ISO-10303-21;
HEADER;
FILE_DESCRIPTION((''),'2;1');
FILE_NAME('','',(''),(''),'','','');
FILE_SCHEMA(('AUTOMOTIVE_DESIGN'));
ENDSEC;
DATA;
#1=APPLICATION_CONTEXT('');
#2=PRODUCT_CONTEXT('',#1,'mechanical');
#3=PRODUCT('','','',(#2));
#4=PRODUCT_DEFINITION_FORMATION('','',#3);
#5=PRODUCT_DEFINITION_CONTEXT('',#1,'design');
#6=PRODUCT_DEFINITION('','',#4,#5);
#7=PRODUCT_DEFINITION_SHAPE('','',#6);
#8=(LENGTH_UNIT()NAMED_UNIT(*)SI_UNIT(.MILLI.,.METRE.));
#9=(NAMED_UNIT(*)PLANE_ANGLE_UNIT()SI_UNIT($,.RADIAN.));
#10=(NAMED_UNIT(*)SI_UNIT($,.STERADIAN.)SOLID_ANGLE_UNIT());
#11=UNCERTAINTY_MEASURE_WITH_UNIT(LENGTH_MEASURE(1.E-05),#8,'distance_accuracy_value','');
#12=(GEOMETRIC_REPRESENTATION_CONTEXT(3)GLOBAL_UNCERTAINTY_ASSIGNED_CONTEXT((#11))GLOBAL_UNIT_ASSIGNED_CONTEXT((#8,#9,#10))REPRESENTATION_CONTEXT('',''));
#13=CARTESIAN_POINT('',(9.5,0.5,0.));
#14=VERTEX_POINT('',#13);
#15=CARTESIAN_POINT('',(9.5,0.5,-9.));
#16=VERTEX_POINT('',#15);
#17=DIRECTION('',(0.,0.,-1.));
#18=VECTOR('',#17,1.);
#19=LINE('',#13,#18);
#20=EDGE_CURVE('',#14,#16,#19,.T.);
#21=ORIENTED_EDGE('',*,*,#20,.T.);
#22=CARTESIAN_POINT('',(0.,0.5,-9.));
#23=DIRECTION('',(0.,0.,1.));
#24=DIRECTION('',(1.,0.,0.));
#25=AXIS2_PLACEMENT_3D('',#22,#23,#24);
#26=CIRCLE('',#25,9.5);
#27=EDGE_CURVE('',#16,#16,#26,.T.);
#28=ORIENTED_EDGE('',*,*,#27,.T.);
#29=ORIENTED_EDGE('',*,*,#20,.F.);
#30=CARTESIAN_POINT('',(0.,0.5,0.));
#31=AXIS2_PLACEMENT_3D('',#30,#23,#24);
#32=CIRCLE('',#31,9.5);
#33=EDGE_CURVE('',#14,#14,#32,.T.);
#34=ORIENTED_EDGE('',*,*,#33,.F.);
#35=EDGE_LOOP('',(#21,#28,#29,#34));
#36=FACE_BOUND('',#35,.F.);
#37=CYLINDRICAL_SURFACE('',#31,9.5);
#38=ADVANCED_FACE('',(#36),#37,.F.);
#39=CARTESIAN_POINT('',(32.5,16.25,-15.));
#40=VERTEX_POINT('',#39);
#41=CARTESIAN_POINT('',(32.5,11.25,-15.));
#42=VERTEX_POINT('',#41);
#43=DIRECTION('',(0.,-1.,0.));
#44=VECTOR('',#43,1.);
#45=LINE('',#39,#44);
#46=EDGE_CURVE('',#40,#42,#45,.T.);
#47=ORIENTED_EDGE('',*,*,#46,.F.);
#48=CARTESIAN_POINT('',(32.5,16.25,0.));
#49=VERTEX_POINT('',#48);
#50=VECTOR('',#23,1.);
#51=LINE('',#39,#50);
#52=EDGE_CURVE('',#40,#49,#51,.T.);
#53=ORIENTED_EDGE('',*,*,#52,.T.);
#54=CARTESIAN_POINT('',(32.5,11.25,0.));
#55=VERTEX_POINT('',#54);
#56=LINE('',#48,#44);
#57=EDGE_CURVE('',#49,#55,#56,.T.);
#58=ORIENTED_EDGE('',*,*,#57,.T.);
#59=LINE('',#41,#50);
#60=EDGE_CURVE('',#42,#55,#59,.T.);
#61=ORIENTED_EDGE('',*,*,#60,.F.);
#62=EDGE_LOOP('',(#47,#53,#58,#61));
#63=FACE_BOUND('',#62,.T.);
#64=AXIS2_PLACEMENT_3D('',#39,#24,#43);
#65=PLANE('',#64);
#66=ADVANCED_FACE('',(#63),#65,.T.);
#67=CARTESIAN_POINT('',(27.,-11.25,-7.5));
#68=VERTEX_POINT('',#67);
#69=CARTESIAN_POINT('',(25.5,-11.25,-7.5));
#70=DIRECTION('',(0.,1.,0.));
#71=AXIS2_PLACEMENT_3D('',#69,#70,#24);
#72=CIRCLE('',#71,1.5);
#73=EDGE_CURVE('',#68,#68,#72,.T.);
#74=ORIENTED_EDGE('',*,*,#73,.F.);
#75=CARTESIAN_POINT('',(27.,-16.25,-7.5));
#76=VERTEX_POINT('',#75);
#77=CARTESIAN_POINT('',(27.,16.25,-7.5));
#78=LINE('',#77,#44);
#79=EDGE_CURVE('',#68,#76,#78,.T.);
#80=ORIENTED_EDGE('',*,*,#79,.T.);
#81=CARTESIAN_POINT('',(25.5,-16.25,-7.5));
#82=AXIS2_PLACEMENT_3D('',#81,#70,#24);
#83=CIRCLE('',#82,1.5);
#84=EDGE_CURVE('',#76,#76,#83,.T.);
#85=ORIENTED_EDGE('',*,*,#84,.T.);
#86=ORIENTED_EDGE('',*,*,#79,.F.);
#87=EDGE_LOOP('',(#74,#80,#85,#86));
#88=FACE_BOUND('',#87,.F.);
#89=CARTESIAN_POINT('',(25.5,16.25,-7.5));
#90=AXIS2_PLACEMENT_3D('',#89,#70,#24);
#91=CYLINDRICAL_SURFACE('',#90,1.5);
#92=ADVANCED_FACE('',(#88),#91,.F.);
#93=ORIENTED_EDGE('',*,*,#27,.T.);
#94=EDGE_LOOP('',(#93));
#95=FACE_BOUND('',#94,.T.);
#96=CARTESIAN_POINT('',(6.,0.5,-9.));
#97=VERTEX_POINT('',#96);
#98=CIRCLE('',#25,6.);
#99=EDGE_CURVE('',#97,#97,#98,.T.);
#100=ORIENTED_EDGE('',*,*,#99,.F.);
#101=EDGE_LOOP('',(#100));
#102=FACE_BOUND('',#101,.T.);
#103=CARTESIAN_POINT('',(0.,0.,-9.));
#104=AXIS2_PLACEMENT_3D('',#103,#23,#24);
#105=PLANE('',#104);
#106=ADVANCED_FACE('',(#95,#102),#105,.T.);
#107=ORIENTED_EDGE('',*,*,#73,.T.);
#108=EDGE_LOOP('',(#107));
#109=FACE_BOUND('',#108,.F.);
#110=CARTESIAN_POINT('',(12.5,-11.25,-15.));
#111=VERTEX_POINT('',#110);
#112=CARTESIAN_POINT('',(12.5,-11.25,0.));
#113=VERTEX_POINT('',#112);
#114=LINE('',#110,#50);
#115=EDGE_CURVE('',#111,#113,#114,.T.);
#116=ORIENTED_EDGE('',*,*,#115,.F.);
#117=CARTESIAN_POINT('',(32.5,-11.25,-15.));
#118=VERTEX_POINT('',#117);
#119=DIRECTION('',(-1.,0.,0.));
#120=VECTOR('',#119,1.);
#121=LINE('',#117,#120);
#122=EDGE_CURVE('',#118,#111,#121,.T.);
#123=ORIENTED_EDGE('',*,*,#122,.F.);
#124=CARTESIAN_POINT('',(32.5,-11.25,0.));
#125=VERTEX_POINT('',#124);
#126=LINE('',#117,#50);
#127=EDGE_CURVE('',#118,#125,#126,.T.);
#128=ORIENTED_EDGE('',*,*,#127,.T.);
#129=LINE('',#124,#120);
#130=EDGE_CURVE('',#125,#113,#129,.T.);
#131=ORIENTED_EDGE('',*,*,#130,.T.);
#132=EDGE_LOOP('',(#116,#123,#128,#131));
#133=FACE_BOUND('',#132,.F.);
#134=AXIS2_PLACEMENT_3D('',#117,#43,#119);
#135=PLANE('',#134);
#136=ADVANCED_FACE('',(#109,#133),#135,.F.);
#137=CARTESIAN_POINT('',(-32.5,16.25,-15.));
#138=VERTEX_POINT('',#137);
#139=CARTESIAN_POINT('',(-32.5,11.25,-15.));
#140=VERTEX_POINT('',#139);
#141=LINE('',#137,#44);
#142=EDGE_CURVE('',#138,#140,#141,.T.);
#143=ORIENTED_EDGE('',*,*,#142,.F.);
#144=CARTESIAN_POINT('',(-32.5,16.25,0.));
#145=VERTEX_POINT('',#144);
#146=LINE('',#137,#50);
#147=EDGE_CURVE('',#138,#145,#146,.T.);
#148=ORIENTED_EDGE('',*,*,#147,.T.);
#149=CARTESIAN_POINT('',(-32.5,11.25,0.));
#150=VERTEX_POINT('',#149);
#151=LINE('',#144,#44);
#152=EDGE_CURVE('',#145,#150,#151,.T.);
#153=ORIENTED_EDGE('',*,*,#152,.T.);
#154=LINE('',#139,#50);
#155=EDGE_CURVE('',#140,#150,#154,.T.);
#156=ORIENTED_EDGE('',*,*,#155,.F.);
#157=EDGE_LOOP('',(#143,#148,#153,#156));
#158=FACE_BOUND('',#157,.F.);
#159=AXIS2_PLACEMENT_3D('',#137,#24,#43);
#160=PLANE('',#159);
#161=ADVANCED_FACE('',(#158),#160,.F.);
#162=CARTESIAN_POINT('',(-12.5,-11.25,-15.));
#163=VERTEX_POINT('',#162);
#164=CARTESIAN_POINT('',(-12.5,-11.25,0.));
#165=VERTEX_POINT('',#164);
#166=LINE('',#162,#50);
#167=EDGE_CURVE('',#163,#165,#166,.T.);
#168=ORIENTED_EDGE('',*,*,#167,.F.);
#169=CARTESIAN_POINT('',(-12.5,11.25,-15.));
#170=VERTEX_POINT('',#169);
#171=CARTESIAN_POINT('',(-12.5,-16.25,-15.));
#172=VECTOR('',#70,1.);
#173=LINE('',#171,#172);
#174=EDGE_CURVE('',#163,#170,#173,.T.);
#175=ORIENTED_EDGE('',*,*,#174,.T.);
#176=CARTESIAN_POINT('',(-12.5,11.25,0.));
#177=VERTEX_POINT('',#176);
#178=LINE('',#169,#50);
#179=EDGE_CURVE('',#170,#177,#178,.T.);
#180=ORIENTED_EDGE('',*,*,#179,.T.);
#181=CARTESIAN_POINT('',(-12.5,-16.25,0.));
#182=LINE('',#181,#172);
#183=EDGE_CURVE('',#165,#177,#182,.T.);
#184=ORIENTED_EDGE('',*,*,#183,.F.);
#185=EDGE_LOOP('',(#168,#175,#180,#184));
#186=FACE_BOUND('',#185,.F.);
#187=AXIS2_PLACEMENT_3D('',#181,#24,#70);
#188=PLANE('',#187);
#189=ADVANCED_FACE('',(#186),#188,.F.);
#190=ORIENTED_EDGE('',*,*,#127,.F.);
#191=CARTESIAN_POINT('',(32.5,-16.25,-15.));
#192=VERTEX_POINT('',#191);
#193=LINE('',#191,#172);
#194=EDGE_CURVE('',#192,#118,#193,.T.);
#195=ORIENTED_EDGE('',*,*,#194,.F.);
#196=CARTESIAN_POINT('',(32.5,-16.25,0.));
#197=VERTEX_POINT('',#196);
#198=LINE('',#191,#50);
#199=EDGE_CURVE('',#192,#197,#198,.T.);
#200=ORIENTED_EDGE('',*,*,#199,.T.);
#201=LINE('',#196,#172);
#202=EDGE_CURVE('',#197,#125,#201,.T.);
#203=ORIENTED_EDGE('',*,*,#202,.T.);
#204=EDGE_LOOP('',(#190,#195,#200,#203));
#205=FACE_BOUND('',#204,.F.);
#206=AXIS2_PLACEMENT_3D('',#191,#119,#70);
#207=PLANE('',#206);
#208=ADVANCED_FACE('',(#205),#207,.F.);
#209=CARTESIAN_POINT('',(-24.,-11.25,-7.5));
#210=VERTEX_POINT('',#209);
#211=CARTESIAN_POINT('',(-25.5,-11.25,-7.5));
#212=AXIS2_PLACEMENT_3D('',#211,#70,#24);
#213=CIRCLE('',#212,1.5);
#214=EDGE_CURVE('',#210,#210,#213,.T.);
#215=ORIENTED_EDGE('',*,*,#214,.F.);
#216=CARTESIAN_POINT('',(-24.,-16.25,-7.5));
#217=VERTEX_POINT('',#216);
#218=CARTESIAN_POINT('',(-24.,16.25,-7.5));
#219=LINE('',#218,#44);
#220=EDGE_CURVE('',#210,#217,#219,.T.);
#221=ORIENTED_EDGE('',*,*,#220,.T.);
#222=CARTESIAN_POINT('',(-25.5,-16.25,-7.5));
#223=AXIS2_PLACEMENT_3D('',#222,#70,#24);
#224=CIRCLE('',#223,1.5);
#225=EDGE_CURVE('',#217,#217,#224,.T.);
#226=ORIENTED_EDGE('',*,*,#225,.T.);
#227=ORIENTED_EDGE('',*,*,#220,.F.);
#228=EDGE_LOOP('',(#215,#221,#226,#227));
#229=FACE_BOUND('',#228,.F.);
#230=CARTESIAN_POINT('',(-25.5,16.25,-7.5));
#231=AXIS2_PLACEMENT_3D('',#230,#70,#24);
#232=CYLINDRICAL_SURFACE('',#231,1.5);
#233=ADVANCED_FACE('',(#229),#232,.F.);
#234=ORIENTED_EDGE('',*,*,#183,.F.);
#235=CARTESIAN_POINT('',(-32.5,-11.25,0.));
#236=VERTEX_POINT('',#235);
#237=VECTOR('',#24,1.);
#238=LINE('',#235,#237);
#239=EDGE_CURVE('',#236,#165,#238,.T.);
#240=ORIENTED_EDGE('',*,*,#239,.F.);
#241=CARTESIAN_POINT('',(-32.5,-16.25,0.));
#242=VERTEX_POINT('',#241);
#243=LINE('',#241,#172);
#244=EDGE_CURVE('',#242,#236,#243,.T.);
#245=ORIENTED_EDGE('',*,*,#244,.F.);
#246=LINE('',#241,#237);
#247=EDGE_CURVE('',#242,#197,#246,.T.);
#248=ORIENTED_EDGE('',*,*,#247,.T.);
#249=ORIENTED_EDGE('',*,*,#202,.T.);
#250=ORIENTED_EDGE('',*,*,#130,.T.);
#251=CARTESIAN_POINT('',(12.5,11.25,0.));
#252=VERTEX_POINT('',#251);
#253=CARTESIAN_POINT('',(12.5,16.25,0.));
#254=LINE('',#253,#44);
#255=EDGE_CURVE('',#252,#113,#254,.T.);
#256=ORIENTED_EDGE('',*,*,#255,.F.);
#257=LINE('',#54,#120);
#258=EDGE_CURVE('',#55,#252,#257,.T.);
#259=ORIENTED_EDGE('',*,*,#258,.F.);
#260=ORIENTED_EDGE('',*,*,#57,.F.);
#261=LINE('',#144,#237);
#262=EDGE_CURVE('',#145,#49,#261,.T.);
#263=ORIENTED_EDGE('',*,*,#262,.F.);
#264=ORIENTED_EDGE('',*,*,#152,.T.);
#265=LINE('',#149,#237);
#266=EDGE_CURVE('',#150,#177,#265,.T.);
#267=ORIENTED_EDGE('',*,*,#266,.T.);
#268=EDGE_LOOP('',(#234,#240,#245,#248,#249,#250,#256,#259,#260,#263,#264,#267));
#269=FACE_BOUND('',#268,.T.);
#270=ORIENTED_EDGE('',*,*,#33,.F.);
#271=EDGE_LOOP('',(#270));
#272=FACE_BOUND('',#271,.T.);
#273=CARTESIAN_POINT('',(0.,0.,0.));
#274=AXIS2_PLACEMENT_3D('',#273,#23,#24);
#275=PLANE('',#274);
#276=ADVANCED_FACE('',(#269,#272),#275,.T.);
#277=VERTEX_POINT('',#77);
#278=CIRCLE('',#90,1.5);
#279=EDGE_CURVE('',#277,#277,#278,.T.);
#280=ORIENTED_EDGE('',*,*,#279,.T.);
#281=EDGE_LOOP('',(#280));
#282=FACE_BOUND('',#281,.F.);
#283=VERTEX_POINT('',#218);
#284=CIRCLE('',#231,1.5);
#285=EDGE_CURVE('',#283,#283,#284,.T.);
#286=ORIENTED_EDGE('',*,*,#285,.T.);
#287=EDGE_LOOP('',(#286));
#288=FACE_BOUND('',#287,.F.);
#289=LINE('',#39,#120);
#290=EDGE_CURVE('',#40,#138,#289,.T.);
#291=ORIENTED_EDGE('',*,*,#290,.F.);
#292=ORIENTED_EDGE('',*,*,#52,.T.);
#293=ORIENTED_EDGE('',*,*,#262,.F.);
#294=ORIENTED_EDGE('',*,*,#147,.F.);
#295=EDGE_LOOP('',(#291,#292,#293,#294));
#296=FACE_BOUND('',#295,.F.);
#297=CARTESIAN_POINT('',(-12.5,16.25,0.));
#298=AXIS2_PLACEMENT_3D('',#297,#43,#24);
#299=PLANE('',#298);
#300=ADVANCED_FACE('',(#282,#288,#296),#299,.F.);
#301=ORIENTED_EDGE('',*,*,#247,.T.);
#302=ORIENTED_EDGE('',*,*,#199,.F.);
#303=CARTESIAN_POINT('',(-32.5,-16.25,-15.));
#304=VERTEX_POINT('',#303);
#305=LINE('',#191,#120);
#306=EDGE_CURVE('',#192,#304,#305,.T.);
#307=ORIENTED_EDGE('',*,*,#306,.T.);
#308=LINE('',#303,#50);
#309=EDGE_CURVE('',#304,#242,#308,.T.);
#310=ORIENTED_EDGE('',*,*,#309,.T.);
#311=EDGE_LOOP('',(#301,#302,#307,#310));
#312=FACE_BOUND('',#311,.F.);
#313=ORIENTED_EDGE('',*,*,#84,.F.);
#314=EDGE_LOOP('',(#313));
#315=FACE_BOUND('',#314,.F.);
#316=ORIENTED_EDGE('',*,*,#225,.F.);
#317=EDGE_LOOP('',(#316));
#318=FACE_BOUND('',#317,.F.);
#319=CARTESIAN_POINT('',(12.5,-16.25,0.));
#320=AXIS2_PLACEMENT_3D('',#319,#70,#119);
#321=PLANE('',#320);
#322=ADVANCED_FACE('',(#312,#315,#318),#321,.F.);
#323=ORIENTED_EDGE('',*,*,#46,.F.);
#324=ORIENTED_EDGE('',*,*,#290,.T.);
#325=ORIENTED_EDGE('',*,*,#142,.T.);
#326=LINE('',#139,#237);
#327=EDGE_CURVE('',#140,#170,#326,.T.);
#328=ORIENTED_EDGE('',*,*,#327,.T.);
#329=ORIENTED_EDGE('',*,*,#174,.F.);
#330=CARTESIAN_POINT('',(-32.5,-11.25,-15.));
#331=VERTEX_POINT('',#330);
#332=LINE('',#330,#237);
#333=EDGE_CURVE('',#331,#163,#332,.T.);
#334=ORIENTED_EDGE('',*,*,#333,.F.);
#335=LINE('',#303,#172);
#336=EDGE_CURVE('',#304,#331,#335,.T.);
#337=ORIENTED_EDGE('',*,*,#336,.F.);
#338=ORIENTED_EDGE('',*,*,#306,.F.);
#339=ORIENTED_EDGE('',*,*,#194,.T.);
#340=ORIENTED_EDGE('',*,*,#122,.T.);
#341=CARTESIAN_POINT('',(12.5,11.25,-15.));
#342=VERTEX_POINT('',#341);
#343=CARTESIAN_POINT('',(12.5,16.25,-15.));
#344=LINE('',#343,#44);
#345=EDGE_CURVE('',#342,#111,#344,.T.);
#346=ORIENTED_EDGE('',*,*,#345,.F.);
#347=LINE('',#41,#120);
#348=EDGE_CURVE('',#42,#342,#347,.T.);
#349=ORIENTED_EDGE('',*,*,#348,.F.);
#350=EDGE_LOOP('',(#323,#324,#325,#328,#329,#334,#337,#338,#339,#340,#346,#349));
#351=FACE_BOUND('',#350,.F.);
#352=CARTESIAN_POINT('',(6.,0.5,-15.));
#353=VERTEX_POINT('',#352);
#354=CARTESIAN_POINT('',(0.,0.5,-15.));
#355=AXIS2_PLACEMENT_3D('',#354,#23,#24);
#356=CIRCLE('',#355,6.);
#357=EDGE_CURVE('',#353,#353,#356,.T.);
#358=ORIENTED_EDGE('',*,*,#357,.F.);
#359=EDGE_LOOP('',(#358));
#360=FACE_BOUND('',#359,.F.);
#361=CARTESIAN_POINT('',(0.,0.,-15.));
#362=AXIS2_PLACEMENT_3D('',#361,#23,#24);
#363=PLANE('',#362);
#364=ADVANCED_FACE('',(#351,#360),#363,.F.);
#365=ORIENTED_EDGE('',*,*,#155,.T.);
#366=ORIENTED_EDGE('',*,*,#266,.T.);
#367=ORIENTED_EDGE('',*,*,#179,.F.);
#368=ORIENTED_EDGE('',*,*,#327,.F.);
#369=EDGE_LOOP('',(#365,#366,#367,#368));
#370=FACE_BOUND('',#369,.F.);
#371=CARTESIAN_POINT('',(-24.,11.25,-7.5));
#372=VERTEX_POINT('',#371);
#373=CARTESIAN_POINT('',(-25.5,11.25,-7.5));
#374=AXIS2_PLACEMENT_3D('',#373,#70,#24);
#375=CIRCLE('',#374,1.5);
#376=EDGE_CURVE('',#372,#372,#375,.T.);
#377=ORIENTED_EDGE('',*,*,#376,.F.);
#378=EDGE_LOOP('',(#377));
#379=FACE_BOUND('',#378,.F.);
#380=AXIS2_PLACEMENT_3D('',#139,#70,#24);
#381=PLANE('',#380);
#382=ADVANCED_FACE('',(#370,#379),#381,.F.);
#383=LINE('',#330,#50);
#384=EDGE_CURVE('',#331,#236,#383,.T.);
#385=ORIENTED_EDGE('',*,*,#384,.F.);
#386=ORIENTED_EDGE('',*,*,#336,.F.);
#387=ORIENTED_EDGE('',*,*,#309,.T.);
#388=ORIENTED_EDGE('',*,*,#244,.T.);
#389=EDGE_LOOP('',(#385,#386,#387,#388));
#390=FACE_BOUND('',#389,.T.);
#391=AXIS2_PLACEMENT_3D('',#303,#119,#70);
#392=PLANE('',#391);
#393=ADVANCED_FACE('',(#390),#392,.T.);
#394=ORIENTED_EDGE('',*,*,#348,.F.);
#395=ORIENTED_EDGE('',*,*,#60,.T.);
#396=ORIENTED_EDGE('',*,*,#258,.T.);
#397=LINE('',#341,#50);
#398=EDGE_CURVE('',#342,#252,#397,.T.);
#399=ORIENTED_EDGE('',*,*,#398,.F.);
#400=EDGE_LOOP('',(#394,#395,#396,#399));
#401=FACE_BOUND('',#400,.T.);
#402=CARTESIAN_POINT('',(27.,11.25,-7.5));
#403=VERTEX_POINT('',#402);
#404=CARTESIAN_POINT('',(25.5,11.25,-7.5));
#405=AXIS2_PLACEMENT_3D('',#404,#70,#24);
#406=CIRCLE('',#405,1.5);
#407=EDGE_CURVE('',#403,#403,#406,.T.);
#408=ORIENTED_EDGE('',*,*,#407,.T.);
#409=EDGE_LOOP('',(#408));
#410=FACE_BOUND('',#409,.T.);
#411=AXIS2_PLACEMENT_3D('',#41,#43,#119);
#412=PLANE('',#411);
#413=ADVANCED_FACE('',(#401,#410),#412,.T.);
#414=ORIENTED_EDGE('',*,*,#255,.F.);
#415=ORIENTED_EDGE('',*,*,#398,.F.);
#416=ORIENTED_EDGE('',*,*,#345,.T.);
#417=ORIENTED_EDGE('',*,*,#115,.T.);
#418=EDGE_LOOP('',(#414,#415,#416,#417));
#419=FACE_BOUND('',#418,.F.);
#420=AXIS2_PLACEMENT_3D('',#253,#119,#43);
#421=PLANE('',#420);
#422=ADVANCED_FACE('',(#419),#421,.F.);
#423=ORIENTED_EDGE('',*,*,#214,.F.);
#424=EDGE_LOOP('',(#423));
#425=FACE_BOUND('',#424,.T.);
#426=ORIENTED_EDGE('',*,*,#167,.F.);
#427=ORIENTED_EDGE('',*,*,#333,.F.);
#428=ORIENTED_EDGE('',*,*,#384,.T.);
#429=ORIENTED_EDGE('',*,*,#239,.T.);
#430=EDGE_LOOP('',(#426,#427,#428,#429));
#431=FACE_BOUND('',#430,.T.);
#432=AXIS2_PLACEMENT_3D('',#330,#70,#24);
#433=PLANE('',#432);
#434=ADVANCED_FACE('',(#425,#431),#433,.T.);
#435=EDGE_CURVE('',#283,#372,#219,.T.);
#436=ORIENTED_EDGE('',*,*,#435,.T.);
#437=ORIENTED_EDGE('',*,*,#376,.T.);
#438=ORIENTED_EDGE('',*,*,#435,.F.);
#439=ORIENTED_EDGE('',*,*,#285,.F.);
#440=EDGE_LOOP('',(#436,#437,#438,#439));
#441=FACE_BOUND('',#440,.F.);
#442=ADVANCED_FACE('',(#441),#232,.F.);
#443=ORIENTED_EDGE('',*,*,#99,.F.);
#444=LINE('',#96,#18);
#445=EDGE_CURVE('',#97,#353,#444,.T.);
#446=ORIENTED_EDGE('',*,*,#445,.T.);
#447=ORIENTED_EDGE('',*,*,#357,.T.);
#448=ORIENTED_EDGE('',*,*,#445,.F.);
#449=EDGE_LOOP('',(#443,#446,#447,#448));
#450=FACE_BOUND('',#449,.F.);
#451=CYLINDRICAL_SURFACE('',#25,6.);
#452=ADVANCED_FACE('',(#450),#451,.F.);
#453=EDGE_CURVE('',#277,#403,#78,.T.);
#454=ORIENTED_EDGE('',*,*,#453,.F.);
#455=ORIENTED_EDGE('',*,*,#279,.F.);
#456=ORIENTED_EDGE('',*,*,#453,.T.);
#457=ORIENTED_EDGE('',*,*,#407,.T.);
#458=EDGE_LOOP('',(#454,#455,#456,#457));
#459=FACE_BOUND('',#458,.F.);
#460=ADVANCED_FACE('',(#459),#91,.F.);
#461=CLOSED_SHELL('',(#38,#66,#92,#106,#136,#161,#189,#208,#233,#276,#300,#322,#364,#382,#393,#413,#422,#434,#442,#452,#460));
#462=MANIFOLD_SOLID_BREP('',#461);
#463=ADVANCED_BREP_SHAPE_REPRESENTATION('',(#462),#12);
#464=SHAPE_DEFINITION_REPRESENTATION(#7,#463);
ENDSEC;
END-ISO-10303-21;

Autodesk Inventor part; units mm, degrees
ref_plane "YZ Plane" through (0, 0, 0) normal (1, 0, 0) x (0, 1, 0)
ref_plane "XZ Plane" through (0, 0, 0) normal (0, 1, 0) x (-1, 0, 0)
ref_plane "XY Plane" through (0, 0, 0) normal (0, 0, 1) x (1, 0, 0)
sketch "Boceto1" plane through (0, 0, 0) normal (0, 0, 1) x (1, 0, 0)
  line L0 (-12.5, 16.25) -> (12.5, 16.25)
  line L1 (12.5, 16.25) -> (12.5, -16.25)
  line L2 (12.5, -16.25) -> (-12.5, -16.25)
  line L3 (-12.5, -16.25) -> (-12.5, 16.25)
  line L4 (-12.5, 16.25) -> (12.5, -16.25) construction
  line L5 (12.5, 16.25) -> (-12.5, -16.25) construction
  point P0 (0, 0)
  dimension "d0" = 25
  dimension "d1" = 32.5
extrude "Extrusión1" add sketch "Boceto1" against normal blind 15
sketch "Boceto4" plane through (0, 0, 0) normal (0, 0, 1) x (1, 0, 0)
  circle A0 centre (0, 0.5) radius 9.5
  line L0 (-12.5, -16.25) -> (12.5, -16.25) projected
  line L1 (0, 0) -> (0, 22.8152) construction
  dimension "d20" = 19
  dimension "d21" = 16.75
extrude "Extrusión4" cut sketch "Boceto4" against normal blind 9
sketch "Boceto5" plane through (0, 0.5, -9) normal (0, 0, 1) x (1, 0, 0)
  circle A0 centre (0, 0) radius 6
  circle A1 centre (0, 0) radius 9.5 projected
  point P0 (0, -0.5)
  point P1 (-7.5, -5.831)
  point P2 (7.5, -5.831)
  dimension "d27" = 12
extrude "Extrusión5" cut sketch "Boceto5" against normal through all contours A0
sketch "Boceto6" plane through (0, 0, -15) normal (0, 0, -1) x (-1, 0, 0)
  line L0 (-12.5, 16.25) -> (-32.5, 16.25)
  line L1 (-32.5, 16.25) -> (-32.5, 11.25)
  line L2 (-32.5, 11.25) -> (-12.5, 11.25)
  line L3 (-12.5, 11.25) -> (-12.5, 16.25)
  line L4 (4.8011, 9.4889) -> (4.8011, -13.0562) construction
  line L5 (0, 15.379) -> (0, -16.25) construction
  line L6 (-12.5, -16.25) -> (12.5, -16.25) projected
  line L7 (12.5, -16.25) -> (12.5, 16.25) construction
  line L8 (12.5, 0) -> (-12.5, 0) construction
  line L9 (-12.5, 16.25) -> (-12.5, -16.25) construction
  line L10 (-12.5, -16.25) -> (-32.5, -16.25)
  line L11 (-32.5, -16.25) -> (-32.5, -11.25)
  line L12 (-32.5, -11.25) -> (-12.5, -11.25)
  line L13 (-12.5, -11.25) -> (-12.5, -16.25)
  line L14 (12.5, 16.25) -> (32.5, 16.25)
  line L15 (32.5, 16.25) -> (32.5, 11.25)
  line L16 (32.5, 11.25) -> (12.5, 11.25)
  line L17 (12.5, 11.25) -> (12.5, 16.25)
  line L18 (12.5, 16.25) -> (12.5, -16.25) construction
  line L19 (12.5, -16.25) -> (32.5, -16.25)
  line L20 (12.5, -11.25) -> (12.5, -16.25)
  line L21 (32.5, -11.25) -> (12.5, -11.25)
  line L22 (32.5, -16.25) -> (32.5, -11.25)
  point P0 (0, 0)
  dimension "d30" = 5
  dimension "d31" = 20
extrude "Extrusión6" add sketch "Boceto6" against normal up to surface (15 mm away)
sketch "Boceto8" plane through (-32.5, 16.25, 0) normal (0, 1, 0) x (1, 0, 0)
  line L0 (0, 15) -> (0, 0) construction
  line L1 (0, 7.5) -> (65, 7.5) construction
  line L2 (65, 15) -> (65, 0) construction
  circle A0 centre (7, 7.5) radius 1.5
  circle A1 centre (58, 7.5) radius 1.5
  line L3 (65, 0) -> (0, 0) projected
  point P0 (32.5, 0)
  point P1 (32.5, 0)
  dimension "d43" = 3
  dimension "d44" = 3
  dimension "d45" = 51
  dimension "d46" = 25.5
extrude "Extrusión8" cut sketch "Boceto8" against normal through all
sketch "Boceto10" plane through (-32.5, 16.25, 0) normal (0, 1, 0) x (1, 0, 0)
  point P0 (32.5, 0)
properties part number "soporte_eje_omni_3DPrint"
